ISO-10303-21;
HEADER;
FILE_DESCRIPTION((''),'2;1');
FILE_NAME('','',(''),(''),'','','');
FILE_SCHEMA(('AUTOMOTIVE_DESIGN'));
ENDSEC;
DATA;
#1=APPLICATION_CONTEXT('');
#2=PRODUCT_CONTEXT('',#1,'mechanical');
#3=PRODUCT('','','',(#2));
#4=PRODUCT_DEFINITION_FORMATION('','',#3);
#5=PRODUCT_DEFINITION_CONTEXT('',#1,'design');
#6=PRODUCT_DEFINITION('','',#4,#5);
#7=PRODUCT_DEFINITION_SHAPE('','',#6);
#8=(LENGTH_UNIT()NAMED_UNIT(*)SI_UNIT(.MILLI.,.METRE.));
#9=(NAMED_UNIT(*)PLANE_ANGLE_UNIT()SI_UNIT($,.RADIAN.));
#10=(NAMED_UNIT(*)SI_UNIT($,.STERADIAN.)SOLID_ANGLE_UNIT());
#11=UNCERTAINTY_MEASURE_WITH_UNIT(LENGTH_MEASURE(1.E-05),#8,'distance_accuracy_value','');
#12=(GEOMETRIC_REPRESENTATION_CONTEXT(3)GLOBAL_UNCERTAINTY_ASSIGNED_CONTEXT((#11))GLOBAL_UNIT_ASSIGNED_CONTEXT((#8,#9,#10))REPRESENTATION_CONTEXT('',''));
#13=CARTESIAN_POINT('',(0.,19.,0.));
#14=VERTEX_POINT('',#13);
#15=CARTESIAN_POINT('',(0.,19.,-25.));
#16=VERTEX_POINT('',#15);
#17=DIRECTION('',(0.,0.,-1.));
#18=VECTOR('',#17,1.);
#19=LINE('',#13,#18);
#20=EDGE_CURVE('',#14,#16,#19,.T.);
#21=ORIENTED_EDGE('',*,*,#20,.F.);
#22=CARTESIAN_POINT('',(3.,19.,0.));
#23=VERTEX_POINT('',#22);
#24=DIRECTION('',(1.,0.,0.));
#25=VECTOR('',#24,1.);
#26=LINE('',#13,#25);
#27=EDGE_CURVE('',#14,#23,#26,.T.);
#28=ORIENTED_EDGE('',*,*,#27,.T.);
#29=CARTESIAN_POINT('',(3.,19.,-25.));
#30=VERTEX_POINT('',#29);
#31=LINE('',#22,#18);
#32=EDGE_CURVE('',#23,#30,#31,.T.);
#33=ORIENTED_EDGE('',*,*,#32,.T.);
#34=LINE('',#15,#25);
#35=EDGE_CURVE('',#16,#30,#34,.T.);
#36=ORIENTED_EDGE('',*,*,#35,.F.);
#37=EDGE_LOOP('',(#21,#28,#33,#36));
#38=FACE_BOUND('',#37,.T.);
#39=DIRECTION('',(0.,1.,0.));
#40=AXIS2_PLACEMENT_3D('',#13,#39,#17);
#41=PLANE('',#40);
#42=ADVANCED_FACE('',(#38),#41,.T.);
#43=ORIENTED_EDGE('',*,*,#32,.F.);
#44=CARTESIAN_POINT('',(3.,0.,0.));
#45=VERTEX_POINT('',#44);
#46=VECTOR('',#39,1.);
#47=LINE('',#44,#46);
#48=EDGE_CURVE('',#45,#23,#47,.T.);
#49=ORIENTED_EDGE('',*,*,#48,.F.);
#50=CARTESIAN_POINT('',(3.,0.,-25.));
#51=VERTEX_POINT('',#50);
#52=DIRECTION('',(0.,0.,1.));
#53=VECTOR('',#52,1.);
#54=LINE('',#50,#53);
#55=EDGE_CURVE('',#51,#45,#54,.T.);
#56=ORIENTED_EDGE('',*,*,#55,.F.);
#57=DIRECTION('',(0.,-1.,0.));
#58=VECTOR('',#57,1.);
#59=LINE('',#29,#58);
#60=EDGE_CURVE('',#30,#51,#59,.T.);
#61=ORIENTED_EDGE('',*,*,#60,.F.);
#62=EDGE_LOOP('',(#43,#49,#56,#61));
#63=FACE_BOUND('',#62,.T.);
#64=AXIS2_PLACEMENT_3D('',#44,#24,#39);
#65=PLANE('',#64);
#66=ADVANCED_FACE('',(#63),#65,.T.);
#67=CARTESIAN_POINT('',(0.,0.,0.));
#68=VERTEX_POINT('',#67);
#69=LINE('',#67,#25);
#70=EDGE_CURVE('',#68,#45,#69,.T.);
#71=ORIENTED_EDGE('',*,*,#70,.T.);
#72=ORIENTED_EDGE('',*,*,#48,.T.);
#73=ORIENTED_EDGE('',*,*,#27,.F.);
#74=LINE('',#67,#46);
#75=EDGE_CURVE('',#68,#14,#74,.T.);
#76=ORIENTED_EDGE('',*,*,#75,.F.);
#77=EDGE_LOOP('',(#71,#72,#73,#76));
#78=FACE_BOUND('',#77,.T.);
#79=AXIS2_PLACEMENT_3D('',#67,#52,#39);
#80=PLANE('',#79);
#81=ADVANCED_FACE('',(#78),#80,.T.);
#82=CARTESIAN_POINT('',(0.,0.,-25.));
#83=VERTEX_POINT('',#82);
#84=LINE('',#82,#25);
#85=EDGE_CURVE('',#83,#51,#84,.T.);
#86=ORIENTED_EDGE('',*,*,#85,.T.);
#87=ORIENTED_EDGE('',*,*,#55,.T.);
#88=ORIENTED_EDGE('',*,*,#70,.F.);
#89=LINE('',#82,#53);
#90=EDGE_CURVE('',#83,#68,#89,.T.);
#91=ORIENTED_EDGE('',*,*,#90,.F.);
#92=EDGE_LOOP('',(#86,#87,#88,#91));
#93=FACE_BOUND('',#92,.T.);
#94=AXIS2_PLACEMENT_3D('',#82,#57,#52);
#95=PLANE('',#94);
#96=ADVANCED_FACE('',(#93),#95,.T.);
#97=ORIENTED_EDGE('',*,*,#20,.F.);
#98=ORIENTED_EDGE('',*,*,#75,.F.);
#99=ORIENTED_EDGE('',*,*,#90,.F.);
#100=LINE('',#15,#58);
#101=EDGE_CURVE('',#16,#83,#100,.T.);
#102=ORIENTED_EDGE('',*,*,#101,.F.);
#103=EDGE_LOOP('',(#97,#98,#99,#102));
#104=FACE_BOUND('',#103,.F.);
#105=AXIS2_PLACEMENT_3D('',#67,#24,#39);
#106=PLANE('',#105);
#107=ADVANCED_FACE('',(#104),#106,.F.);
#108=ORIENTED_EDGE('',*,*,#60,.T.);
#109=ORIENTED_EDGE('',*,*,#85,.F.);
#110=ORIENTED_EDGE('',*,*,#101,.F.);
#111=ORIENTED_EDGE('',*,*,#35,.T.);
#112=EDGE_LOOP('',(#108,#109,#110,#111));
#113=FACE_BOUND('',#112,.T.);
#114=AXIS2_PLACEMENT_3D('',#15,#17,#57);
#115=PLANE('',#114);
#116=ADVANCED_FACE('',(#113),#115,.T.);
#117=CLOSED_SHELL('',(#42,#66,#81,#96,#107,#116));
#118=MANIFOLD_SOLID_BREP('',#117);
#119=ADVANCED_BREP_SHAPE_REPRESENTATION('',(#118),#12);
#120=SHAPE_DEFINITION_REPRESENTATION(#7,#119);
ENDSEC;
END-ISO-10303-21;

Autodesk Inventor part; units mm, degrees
ref_plane "YZ Plane" through (0, 0, 0) normal (1, 0, 0) x (0, 1, 0)
ref_plane "XZ Plane" through (0, 0, 0) normal (0, 1, 0) x (-1, 0, 0)
ref_plane "XY Plane" through (0, 0, 0) normal (0, 0, 1) x (1, 0, 0)
sketch "Boceto1" plane through (0, 0, 0) normal (1, 0, 0) x (0, 1, 0)
  line L0 (0, 0) -> (19, 0)
  line L1 (19, 0) -> (19, -25)
  line L2 (19, -25) -> (0, -25)
  line L3 (0, -25) -> (0, 0)
  dimension "d0" = 19
  dimension "d1" = 25
extrude "Extrusión1" add sketch "Boceto1" along normal blind 3
